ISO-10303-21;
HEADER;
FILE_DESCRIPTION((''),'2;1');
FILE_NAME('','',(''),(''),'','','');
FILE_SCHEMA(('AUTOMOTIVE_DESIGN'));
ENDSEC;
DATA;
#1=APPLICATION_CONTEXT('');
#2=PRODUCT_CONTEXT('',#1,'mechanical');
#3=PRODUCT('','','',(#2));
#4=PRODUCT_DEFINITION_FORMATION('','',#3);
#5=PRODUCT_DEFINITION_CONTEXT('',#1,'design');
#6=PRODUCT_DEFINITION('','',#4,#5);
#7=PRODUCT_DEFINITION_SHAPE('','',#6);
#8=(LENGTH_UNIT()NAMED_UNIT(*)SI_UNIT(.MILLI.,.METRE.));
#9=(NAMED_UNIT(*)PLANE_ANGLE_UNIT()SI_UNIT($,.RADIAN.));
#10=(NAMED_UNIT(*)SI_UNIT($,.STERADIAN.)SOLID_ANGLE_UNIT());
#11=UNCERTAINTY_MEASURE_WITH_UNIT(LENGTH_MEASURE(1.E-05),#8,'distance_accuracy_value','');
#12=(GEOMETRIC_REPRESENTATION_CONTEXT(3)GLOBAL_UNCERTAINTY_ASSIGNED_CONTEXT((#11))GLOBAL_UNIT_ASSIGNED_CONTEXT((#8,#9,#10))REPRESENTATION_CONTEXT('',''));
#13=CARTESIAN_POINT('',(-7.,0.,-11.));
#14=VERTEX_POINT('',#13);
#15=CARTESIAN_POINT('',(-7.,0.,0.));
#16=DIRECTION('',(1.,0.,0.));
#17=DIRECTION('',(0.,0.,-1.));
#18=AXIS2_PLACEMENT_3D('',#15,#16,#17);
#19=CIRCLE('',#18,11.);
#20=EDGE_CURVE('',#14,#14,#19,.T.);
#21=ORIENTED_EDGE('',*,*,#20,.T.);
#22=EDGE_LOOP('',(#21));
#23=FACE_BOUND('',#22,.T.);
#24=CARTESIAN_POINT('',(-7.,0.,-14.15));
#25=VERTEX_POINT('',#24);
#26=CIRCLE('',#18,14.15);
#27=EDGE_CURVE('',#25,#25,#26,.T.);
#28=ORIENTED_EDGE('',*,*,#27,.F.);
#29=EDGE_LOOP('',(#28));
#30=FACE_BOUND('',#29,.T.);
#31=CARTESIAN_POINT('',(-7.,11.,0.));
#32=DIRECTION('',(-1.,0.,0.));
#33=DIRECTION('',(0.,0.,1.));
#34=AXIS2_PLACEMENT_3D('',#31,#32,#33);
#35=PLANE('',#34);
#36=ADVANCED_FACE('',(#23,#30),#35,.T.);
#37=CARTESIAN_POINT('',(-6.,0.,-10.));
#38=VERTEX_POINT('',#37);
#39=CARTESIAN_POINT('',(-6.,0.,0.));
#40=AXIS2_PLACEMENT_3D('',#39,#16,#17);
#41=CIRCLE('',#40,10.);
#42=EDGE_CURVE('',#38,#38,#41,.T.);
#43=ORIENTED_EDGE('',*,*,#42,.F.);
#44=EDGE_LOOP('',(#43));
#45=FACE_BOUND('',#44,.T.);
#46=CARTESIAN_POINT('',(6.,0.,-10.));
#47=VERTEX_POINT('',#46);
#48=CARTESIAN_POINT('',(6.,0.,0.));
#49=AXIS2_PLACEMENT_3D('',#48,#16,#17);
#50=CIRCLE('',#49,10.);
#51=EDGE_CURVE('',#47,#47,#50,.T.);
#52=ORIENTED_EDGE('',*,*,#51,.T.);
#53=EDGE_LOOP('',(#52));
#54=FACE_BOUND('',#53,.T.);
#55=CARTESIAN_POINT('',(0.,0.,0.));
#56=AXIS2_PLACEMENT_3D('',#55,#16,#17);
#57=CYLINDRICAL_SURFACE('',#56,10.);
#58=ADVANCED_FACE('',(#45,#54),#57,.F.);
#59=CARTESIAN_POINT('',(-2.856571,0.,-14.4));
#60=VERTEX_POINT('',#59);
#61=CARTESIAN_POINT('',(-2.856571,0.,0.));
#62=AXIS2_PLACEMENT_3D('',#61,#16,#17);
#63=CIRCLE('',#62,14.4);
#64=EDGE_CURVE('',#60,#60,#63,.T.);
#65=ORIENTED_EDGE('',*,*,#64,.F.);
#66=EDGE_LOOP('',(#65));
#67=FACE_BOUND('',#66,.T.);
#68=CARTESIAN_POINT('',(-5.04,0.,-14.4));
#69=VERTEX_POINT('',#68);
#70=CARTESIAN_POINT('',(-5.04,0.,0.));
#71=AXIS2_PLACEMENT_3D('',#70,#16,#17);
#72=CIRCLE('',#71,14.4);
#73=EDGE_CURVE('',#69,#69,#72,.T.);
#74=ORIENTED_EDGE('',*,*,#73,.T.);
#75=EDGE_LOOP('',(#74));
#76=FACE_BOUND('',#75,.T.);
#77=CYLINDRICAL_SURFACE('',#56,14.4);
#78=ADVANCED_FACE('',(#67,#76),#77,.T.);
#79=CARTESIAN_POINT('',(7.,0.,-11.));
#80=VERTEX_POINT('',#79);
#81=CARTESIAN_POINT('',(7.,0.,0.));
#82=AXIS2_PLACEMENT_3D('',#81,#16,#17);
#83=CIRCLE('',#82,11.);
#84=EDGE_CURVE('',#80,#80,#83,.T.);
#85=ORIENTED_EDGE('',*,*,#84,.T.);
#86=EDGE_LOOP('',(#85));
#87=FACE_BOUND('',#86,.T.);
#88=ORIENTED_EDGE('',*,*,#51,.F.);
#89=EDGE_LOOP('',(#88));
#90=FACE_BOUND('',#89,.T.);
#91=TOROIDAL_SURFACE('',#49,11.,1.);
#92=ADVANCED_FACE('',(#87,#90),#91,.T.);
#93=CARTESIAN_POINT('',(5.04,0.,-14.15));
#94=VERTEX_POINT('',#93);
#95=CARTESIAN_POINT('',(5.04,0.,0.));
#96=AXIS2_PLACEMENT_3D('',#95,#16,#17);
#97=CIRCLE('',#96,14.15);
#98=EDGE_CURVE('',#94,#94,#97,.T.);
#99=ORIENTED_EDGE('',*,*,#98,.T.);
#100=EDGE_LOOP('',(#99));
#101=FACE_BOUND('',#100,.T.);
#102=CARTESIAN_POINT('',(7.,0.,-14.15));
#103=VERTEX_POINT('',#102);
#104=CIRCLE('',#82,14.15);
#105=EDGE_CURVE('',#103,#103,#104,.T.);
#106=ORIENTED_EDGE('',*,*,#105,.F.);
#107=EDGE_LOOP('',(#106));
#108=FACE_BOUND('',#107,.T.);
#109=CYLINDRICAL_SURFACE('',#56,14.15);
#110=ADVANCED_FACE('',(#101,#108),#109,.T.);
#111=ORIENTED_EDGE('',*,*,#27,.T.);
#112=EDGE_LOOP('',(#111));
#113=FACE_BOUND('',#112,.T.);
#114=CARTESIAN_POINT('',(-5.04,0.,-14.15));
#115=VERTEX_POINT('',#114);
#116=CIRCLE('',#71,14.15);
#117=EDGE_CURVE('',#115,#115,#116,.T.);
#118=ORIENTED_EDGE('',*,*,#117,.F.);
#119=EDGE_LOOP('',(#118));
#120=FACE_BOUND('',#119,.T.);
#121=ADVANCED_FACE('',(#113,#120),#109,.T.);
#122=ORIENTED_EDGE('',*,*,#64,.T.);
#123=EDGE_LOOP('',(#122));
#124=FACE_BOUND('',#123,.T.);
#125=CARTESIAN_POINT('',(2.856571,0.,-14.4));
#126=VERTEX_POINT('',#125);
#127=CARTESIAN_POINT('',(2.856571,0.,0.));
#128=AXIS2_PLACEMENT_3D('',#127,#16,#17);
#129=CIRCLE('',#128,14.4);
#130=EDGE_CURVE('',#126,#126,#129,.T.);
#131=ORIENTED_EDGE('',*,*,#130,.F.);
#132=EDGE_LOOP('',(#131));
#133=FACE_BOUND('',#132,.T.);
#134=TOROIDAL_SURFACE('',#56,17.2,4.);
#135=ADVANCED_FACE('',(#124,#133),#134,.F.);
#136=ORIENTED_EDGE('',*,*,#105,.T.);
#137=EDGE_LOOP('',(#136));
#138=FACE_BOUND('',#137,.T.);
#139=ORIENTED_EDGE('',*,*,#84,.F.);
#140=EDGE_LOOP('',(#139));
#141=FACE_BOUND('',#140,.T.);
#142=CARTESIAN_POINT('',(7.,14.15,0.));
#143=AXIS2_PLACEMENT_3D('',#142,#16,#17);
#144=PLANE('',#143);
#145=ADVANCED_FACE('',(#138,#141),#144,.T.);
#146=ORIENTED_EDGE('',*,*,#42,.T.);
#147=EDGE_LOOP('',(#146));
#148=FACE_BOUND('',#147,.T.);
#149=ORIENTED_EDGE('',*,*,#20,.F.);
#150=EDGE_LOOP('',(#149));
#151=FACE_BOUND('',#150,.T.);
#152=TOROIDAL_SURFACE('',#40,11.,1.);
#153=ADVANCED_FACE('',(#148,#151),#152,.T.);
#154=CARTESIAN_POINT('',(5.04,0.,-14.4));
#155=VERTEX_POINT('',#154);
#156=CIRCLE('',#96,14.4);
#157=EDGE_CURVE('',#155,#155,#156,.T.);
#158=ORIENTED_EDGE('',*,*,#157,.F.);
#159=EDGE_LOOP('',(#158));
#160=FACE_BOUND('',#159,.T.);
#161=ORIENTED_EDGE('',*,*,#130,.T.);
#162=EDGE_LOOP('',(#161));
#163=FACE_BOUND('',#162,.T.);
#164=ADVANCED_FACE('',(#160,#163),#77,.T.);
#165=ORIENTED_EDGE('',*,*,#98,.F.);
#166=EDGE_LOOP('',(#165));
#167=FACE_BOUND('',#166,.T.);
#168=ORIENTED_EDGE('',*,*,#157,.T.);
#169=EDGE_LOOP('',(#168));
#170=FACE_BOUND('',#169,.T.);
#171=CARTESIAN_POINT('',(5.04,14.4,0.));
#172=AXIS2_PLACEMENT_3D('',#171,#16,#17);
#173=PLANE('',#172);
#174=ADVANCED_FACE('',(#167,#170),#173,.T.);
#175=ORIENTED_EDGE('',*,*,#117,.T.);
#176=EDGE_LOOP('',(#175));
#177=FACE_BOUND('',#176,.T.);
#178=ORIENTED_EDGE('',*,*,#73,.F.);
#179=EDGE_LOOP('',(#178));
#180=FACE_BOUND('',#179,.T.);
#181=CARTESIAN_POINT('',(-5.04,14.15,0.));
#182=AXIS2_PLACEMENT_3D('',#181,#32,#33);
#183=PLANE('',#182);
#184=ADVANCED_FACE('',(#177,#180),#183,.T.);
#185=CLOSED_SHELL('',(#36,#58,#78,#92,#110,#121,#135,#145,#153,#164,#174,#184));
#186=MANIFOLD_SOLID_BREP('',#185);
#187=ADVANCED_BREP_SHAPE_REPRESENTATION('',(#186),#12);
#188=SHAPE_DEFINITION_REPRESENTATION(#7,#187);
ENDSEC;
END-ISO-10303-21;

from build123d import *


with BuildPart() as part:
    # Sketch1 → Revolve1 (revolve)
    with BuildSketch(Plane.XY, mode=Mode.PRIVATE) as revolve1_sk:
        with BuildLine():
            Line((-6, 10), (6, 10))
            ThreePointArc((6, 10), (6.707106781, 10.292893219), (7, 11))
            Line((7, 11), (7, 14.15))
            Line((7, 14.15), (5.04, 14.15))
            Line((5.04, 14.15), (5.04, 14.4))
            Line((5.04, 14.4), (2.856571371, 14.4))
            ThreePointArc((2.856571371, 14.4), (0, 13.2), (-2.856571371, 14.4))
            Line((-2.856571371, 14.4), (-5.04, 14.4))
            Line((-5.04, 14.4), (-5.04, 14.15))
            Line((-5.04, 14.15), (-7, 14.15))
            Line((-7, 14.15), (-7, 11))
            ThreePointArc((-7, 11), (-6.707106781, 10.292893219), (-6, 10))
        make_face()
    revolve(revolve1_sk.sketch.rotate(Axis((0, 0, 0), (-1, 0, 0)), 90), axis=Axis((0, 0, 0), (-1, 0, 0)))


solid = part.part
